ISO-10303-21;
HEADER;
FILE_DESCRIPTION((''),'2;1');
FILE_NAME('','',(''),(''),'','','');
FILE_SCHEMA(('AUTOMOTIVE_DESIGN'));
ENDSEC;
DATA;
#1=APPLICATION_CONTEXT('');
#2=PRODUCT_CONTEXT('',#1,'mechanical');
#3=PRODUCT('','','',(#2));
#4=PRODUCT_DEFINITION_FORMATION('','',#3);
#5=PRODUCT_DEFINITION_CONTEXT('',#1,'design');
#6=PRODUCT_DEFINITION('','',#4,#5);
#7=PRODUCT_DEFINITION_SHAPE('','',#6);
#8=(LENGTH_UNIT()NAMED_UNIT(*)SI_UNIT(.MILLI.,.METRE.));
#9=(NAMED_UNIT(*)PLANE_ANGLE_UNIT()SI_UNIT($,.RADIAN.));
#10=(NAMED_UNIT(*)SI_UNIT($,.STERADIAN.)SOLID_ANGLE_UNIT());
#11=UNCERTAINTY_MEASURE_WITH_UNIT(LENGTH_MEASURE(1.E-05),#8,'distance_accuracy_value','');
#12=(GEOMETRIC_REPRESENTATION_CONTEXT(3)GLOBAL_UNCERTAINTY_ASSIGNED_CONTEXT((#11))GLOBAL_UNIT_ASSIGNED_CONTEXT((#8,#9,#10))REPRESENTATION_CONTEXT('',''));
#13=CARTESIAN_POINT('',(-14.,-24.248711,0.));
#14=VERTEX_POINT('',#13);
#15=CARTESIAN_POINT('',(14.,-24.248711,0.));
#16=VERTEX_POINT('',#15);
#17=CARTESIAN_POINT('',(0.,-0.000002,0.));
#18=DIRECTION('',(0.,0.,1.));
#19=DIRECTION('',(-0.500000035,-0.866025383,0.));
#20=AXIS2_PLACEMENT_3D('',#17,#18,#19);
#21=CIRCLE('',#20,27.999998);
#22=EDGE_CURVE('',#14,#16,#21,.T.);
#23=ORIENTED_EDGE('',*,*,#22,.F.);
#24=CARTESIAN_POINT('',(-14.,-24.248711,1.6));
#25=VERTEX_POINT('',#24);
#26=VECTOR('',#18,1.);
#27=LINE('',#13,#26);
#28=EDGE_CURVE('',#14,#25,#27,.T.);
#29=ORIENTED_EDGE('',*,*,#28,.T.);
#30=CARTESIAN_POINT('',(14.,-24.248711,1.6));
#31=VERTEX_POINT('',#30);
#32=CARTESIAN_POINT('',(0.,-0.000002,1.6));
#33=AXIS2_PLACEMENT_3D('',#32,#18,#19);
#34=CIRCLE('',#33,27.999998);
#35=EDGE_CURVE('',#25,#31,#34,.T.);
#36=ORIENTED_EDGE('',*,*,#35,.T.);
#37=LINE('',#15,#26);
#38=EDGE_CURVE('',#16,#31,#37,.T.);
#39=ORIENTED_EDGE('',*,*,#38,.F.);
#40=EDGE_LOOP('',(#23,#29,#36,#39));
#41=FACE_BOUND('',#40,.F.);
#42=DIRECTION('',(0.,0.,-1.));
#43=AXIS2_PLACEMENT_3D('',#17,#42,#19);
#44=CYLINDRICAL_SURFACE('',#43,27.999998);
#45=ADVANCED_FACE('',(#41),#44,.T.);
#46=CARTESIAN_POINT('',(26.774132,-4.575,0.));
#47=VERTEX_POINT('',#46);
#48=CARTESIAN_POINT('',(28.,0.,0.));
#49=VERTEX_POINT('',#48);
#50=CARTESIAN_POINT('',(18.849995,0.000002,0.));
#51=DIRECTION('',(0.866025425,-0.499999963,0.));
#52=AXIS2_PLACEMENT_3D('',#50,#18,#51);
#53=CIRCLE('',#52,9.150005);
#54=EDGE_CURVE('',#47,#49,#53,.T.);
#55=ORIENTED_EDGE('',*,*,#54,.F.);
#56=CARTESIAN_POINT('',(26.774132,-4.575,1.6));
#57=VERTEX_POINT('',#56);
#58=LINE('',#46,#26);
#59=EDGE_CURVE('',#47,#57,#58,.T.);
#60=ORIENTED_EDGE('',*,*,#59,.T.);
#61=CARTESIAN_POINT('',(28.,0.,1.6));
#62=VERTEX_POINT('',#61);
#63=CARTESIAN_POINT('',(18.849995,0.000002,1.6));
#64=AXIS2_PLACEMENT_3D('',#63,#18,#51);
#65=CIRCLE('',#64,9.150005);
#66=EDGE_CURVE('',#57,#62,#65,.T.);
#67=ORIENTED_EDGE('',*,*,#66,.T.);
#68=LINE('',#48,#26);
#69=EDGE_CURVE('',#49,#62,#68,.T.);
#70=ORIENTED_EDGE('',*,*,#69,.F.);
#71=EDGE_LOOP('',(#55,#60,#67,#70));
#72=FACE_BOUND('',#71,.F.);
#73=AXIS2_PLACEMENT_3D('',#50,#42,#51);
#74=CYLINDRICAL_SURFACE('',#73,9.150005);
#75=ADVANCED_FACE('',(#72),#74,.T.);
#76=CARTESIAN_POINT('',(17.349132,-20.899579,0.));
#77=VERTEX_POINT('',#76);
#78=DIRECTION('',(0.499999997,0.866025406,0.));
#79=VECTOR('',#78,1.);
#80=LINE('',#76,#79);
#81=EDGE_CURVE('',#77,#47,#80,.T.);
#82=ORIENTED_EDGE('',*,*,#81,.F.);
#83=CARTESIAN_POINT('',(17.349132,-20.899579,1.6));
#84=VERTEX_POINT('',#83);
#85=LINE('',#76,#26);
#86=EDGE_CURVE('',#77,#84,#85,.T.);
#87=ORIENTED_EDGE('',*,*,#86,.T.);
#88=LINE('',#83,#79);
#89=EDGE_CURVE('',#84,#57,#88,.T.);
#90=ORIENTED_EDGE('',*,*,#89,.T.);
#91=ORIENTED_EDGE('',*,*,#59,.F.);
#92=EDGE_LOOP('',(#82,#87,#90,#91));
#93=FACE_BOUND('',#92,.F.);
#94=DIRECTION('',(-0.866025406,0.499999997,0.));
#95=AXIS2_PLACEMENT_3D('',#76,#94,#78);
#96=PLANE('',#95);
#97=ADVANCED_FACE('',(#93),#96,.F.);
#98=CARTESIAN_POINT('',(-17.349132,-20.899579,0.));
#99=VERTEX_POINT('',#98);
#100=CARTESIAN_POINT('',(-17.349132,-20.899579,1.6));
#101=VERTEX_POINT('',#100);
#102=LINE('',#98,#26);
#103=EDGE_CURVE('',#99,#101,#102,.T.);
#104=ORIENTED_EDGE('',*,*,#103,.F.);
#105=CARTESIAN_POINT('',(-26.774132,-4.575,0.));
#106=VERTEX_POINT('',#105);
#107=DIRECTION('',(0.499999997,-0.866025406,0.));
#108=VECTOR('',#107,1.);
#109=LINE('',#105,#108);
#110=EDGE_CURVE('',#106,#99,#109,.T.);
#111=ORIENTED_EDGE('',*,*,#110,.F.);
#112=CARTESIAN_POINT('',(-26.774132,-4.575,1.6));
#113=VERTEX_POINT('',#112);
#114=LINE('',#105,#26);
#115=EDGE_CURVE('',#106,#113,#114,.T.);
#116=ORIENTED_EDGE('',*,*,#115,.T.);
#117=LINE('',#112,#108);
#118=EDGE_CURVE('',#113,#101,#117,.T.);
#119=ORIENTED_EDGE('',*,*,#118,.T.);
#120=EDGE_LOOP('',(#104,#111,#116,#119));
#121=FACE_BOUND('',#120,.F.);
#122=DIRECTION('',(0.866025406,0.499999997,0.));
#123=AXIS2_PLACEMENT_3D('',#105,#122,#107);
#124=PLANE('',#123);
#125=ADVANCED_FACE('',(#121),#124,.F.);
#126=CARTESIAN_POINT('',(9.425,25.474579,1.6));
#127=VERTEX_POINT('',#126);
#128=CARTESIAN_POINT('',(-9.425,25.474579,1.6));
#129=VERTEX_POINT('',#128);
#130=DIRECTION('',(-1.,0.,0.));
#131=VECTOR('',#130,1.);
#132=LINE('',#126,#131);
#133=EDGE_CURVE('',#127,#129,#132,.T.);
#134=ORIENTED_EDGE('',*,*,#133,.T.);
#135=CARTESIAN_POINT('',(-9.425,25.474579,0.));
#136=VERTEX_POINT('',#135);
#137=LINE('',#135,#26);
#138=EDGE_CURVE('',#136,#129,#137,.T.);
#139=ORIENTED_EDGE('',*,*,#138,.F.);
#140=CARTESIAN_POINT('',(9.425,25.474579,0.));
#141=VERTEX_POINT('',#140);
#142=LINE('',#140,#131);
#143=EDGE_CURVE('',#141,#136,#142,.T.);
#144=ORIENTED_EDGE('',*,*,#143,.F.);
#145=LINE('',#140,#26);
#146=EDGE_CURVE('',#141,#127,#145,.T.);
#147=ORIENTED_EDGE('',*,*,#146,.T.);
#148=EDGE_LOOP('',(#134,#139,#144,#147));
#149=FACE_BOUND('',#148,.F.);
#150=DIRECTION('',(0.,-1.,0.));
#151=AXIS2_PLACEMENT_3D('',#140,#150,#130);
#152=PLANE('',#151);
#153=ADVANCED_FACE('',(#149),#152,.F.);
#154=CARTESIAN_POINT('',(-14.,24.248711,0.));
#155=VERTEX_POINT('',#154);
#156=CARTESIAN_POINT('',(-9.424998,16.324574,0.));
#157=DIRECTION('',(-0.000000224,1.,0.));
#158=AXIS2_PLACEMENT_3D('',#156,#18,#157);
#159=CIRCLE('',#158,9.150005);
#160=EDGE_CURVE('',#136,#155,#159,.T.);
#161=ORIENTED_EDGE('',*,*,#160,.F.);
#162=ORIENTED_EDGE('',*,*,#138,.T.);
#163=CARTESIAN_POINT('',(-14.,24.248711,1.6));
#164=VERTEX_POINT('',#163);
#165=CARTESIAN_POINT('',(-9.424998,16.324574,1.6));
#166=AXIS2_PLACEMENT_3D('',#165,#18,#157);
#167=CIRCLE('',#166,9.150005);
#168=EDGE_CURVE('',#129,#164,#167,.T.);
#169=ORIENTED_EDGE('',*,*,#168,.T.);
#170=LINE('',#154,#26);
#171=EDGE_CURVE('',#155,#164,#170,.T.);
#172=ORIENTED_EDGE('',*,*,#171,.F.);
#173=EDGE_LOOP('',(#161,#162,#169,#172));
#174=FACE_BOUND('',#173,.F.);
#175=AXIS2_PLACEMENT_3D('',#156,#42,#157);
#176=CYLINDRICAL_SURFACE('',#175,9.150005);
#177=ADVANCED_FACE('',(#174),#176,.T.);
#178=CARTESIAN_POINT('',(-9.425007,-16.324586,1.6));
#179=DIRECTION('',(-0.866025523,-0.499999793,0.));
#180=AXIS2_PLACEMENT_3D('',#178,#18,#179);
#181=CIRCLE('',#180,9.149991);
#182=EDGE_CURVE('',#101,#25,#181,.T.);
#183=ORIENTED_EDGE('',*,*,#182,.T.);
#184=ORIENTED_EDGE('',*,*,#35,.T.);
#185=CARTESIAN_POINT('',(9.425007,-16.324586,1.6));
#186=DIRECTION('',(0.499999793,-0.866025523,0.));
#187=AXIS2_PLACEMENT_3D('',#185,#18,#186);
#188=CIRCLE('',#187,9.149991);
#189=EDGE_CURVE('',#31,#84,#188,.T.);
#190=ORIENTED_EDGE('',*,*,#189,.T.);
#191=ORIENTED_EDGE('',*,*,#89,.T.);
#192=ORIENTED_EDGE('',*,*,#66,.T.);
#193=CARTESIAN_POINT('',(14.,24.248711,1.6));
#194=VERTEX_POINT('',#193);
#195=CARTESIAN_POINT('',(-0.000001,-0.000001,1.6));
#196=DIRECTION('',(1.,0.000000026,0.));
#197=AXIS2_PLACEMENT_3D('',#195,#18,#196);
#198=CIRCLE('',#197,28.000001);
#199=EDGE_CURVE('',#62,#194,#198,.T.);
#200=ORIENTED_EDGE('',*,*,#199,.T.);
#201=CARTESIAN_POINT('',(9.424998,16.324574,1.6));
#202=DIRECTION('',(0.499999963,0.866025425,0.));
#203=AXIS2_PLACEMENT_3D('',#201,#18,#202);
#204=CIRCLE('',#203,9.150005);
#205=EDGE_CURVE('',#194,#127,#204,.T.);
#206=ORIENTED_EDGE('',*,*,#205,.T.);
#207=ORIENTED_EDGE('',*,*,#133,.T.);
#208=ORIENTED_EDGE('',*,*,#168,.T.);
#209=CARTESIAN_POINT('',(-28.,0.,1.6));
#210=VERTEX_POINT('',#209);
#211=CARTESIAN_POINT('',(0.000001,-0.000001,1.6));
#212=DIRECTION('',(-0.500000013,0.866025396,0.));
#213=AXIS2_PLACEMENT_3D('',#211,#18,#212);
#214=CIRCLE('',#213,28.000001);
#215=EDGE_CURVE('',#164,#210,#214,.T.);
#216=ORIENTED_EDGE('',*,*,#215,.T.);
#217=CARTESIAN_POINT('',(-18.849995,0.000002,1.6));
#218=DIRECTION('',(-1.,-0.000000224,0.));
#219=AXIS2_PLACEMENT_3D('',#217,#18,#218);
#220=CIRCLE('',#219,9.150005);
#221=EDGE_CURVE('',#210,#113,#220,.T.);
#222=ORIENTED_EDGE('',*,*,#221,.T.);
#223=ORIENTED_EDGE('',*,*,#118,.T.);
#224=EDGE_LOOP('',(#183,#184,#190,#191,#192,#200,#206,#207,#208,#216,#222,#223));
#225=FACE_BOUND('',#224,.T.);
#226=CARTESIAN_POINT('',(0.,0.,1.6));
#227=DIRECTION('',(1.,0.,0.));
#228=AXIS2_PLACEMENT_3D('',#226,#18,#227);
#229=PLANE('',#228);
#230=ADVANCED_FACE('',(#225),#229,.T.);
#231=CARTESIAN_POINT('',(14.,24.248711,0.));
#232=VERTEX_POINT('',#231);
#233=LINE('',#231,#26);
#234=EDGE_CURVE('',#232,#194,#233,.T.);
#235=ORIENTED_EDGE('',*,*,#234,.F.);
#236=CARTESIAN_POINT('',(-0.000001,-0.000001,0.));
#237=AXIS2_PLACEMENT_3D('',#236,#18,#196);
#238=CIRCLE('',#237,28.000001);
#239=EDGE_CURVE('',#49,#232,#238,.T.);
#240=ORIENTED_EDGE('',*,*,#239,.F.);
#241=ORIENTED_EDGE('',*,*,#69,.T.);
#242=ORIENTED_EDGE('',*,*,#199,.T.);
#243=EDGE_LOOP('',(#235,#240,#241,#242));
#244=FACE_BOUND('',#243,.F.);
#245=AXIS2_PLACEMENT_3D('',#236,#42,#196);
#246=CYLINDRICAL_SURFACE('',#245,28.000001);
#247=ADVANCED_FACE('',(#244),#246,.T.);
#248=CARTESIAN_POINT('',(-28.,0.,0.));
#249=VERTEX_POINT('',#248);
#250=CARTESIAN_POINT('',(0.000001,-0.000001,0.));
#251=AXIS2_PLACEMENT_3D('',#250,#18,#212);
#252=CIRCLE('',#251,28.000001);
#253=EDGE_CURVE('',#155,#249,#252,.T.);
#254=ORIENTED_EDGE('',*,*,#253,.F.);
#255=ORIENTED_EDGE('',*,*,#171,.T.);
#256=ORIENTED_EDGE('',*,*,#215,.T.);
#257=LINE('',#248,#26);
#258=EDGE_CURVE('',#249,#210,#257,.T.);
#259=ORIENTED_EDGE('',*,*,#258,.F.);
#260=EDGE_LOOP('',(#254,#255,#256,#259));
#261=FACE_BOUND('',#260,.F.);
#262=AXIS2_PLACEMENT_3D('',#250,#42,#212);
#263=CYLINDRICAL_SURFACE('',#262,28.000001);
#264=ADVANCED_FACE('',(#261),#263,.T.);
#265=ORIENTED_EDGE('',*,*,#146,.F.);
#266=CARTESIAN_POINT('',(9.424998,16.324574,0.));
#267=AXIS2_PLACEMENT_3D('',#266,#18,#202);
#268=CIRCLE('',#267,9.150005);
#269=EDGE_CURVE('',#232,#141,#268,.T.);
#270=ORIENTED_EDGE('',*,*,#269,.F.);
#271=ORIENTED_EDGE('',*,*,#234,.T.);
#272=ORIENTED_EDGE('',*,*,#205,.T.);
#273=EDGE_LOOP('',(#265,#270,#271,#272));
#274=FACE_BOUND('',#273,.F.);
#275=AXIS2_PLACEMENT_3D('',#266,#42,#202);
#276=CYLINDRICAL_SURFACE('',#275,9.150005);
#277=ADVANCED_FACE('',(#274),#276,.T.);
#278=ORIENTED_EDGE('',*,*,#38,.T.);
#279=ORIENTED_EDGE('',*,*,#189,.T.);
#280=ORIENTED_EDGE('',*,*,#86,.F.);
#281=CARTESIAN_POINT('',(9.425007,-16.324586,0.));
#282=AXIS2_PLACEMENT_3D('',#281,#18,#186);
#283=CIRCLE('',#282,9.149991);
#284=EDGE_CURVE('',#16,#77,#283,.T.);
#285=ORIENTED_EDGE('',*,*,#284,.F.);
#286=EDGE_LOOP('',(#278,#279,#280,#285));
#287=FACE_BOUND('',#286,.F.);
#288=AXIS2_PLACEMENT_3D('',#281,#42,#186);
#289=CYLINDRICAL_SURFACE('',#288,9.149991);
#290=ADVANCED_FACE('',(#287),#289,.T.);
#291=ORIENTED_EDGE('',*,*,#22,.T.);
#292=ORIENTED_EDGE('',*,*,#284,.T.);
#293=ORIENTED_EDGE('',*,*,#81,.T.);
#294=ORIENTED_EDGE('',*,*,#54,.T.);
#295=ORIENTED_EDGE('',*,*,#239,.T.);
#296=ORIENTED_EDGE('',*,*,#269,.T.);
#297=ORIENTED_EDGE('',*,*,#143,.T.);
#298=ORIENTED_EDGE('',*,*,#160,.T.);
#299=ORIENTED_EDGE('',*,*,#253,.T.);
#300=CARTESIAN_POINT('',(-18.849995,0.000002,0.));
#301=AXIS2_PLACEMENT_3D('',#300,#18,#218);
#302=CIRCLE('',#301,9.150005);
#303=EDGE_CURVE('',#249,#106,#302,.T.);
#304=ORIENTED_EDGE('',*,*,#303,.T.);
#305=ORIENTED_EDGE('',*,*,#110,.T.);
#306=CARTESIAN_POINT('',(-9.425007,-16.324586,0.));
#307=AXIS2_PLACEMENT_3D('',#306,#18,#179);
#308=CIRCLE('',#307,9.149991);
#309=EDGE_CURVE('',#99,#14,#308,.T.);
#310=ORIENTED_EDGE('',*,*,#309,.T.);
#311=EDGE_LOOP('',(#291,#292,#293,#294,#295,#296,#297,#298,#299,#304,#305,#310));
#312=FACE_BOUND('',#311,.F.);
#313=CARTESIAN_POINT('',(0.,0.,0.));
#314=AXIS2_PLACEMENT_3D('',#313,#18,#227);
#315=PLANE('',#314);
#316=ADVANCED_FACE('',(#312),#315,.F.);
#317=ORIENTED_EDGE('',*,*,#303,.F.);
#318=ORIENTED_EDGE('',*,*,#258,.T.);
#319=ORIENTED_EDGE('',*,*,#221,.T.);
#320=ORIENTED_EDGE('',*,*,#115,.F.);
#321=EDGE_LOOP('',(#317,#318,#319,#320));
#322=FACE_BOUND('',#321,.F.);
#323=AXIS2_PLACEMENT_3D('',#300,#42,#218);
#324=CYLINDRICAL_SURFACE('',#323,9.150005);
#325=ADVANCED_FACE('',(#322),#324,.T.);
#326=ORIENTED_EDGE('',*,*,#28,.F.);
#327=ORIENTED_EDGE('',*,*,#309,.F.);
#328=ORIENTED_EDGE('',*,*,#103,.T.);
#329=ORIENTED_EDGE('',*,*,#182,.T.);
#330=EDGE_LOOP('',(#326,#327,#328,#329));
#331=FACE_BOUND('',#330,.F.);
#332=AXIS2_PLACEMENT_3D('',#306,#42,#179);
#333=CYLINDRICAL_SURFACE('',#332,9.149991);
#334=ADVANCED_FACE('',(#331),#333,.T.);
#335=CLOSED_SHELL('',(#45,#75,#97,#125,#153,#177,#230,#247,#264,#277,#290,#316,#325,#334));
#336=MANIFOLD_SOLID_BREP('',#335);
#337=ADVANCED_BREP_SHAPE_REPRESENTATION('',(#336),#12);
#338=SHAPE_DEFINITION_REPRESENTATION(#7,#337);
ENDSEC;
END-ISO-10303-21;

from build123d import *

# Parameters (mm, degrees)
F1_DEPTH = 1.6


with BuildPart() as f1:
    # F0 (on Top) → F1 (new body)
    with BuildSketch(Plane.XY):
        with BuildLine():
            ThreePointArc((-9.425, 25.474579), (-11.793194, 25.1628), (-14, 24.248711))
            ThreePointArc((-14, 24.248711), (-24.248711, 14), (-28, 0))
            ThreePointArc((-28, 0), (-27.688221, -2.368194), (-26.774132, -4.575))
            Line((-26.774132, -4.575), (-17.349132, -20.899579))
            ThreePointArc((-17.349132, -20.899579), (-15.895027, -22.794606), (-14, -24.248711))
            ThreePointArc((-14, -24.248711), (0, -28), (14, -24.248711))
            ThreePointArc((14, -24.248711), (15.895027, -22.794606), (17.349132, -20.899579))
            Line((17.349132, -20.899579), (26.774132, -4.575))
            ThreePointArc((26.774132, -4.575), (27.688221, -2.368194), (28, 0))
            ThreePointArc((28, 0), (24.248711, 14), (14, 24.248711))
            ThreePointArc((14, 24.248711), (11.793194, 25.1628), (9.425, 25.474579))
            Line((9.425, 25.474579), (-9.425, 25.474579))
        make_face()
    extrude(amount=F1_DEPTH)


solid = f1.part
